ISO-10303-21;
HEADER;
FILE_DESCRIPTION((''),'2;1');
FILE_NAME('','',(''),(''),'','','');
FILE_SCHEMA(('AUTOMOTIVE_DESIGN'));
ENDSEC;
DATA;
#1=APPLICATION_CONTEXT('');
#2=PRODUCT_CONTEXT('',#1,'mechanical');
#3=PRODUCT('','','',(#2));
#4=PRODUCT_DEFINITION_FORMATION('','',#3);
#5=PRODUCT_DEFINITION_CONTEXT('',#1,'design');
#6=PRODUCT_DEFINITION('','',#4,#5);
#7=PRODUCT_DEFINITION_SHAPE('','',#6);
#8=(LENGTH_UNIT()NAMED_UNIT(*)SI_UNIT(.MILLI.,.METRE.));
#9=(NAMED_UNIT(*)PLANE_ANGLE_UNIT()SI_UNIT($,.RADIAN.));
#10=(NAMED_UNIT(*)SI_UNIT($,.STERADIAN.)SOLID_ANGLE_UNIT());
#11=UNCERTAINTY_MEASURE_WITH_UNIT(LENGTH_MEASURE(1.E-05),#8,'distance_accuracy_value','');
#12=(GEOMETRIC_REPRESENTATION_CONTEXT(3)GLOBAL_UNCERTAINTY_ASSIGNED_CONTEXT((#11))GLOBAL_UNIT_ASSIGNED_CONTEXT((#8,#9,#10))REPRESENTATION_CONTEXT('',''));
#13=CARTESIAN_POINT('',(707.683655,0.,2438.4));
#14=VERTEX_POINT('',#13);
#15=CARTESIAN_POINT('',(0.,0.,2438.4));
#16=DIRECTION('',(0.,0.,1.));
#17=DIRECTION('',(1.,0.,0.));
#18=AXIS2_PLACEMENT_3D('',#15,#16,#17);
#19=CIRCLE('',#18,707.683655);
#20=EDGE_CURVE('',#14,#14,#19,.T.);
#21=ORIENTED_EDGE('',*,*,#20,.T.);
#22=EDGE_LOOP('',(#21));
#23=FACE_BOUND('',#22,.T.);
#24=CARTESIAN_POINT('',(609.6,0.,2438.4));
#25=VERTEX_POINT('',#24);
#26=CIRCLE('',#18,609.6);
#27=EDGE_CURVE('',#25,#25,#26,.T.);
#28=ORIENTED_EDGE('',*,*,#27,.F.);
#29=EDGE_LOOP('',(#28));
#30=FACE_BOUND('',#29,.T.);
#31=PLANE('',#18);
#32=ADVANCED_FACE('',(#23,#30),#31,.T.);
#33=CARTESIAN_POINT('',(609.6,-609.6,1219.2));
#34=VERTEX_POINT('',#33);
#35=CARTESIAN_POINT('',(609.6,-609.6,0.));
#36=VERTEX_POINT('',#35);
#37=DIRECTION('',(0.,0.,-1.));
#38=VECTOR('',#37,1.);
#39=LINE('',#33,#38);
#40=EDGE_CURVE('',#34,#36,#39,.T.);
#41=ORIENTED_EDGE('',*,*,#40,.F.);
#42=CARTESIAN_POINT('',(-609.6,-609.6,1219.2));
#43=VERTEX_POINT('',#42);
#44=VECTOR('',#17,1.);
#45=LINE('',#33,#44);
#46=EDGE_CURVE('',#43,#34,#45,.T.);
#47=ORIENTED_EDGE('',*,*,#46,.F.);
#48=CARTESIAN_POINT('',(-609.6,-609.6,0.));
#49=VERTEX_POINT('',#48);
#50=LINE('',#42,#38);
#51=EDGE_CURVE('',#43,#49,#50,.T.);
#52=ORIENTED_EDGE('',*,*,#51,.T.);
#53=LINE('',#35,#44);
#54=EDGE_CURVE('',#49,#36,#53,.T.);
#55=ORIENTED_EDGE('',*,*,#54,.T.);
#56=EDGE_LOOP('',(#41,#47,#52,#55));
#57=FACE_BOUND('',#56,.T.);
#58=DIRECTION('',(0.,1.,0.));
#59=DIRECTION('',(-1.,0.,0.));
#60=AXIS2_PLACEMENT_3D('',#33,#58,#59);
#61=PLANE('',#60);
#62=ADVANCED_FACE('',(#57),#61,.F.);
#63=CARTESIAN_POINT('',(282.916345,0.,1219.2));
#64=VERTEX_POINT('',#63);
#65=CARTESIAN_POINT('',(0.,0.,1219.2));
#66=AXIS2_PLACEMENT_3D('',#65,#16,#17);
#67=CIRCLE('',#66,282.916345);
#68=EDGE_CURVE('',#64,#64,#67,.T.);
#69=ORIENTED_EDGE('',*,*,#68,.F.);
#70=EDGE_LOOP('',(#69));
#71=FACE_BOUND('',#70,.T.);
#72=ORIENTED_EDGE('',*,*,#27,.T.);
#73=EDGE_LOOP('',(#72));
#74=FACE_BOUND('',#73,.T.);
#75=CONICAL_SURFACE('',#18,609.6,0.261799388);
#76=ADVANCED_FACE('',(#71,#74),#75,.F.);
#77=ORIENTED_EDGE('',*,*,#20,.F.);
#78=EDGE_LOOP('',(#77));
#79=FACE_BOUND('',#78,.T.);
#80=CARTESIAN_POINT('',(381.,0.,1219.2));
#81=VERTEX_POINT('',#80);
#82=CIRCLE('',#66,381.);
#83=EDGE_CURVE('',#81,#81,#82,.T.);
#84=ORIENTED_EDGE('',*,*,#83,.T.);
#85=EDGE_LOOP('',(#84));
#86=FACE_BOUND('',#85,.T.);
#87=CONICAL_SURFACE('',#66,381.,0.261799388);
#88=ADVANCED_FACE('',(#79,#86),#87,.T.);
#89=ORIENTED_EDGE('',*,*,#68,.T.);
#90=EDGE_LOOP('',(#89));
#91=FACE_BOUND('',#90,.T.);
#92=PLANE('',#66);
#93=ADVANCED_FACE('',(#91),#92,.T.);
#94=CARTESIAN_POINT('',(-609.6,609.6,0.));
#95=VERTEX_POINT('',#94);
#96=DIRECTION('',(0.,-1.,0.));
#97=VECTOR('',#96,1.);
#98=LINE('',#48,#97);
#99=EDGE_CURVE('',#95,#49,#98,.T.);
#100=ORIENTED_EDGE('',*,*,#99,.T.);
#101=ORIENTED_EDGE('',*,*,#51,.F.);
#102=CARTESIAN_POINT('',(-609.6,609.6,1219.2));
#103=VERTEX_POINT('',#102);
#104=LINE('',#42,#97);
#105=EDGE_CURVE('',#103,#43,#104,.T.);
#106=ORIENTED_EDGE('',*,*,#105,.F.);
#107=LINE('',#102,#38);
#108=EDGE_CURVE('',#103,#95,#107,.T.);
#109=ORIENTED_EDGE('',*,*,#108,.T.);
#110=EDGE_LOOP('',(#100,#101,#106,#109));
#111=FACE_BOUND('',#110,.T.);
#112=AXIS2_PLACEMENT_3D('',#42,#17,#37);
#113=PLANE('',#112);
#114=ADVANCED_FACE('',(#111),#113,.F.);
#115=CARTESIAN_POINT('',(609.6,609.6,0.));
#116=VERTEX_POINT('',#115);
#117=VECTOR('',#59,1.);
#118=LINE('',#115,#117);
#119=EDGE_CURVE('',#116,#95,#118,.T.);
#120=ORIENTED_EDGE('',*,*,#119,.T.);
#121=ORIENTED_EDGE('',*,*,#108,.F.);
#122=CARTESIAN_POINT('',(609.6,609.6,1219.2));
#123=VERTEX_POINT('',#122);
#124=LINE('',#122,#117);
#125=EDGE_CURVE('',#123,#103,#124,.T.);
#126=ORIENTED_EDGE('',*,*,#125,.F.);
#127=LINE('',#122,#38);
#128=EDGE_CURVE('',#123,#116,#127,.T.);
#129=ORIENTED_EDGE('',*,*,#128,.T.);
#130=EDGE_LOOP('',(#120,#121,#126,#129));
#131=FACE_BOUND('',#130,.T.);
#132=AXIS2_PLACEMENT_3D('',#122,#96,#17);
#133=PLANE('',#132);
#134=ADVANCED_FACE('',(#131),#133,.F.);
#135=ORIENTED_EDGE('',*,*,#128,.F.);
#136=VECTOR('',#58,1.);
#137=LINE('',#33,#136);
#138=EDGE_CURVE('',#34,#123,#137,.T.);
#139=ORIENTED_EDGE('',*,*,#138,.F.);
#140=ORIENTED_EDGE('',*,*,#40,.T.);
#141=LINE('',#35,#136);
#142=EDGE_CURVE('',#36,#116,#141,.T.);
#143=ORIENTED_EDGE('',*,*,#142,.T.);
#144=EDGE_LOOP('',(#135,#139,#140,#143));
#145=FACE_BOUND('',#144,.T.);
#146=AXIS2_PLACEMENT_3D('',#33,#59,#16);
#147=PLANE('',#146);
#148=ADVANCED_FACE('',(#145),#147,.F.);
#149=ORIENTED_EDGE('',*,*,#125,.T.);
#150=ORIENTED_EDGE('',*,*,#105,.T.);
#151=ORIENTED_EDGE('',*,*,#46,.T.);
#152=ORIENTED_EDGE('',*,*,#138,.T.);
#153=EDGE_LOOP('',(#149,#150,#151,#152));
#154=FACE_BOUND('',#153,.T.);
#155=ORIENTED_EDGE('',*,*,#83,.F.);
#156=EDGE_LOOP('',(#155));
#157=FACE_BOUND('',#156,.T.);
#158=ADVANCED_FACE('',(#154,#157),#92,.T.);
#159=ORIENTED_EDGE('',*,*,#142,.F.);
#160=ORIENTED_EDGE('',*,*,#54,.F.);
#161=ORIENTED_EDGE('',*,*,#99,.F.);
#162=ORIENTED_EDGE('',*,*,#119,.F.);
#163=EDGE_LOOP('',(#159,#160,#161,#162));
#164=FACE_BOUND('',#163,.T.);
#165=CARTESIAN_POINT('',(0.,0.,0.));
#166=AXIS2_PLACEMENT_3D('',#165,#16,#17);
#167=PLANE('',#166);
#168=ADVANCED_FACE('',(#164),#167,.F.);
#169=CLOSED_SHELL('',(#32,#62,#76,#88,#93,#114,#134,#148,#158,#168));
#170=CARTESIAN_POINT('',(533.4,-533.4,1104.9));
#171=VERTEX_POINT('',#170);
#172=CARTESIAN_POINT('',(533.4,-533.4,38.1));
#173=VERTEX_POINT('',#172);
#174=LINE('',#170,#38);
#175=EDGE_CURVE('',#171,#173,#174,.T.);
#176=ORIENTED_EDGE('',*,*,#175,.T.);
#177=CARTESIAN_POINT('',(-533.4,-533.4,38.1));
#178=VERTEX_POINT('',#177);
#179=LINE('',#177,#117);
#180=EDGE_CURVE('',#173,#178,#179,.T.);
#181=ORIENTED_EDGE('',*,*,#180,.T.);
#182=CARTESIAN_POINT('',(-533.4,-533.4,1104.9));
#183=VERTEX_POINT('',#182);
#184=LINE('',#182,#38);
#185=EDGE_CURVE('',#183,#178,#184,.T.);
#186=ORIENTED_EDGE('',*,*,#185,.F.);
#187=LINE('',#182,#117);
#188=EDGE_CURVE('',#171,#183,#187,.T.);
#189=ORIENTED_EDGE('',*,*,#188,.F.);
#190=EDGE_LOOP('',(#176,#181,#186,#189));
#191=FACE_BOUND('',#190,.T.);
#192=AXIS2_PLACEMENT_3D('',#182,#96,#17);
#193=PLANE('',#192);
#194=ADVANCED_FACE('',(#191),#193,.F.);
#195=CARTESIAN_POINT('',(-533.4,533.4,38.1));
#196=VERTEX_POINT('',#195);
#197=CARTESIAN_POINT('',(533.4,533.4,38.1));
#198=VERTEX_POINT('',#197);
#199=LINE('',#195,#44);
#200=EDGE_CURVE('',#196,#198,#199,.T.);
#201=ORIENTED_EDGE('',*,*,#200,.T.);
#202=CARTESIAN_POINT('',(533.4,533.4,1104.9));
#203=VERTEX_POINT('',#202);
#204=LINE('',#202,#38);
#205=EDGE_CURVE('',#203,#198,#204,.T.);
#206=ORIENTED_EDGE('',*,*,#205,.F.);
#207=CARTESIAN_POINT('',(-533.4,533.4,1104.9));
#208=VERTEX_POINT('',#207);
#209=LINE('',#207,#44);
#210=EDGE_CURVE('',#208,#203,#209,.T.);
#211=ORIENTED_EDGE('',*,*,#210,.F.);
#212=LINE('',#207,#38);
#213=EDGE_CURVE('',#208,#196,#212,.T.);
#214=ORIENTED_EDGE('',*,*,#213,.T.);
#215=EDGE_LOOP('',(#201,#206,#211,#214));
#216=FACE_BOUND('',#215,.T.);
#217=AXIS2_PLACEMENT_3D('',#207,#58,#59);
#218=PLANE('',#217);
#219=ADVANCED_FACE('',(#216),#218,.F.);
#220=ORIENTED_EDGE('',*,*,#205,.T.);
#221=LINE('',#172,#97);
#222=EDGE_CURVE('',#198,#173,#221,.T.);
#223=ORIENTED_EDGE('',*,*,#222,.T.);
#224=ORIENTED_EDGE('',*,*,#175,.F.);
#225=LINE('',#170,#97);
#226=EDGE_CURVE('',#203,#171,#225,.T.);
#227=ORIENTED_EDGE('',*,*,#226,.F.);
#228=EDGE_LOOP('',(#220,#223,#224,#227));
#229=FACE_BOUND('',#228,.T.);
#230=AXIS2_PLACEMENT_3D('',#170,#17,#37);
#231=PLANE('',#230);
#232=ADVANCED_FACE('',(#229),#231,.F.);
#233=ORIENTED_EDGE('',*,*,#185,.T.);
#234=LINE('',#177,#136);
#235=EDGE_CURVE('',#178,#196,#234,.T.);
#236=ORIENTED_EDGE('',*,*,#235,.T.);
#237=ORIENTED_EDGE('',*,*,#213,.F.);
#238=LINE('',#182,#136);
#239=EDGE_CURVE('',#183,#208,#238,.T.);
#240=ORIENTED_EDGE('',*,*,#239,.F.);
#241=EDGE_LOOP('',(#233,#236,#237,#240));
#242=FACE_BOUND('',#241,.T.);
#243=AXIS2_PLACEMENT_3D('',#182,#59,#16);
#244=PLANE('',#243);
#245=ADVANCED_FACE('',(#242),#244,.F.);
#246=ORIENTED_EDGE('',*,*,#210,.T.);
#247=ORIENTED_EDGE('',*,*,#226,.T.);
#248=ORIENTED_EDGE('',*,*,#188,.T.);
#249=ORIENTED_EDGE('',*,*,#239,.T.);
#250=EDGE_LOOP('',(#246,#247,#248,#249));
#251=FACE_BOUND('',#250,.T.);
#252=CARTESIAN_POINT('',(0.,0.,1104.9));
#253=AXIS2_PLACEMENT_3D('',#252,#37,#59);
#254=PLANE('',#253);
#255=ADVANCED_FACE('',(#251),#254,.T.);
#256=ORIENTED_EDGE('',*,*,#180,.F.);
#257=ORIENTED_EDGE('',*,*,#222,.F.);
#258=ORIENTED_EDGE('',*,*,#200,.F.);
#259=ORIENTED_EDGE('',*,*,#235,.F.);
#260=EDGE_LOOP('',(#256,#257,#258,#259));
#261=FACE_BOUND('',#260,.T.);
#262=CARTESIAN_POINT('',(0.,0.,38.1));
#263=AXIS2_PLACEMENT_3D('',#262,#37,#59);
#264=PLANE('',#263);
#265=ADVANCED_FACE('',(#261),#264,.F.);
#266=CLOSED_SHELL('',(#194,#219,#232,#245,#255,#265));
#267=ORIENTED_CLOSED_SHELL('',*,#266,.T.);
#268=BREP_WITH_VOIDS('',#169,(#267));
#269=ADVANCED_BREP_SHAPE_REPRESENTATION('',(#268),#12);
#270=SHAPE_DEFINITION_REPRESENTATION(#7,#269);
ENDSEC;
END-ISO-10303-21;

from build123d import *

# Parameters (mm, degrees)
SKETCH1_W           = 1219.2
SKETCH1_H           = 1219.2
BOSS_EXTRUDE1_DEPTH = 1219.2
SKETCH2_R           = 381
BOSS_EXTRUDE2_DEPTH = 1219.2
BOSS_EXTRUDE2_DRAFT = -15
SKETCH3_R           = 609.6
CUT_EXTRUDE1_DEPTH  = 1219.2
CUT_EXTRUDE1_DRAFT  = -15
CUT_EXTRUDE2_START  = -38.1
SKETCH4_W           = 1066.8
SKETCH4_H           = 1066.8
CUT_EXTRUDE2_DEPTH  = 1066.8


with BuildPart() as part:
    # Sketch1 → Boss-Extrude1 (new body)
    with BuildSketch(Plane.XY):
        Rectangle(SKETCH1_W, SKETCH1_H)
    extrude(amount=BOSS_EXTRUDE1_DEPTH)


with BuildPart() as boss_extrude2_tool:
    # Sketch2 → Boss-Extrude2 (with draft: the straight prism first)
    with BuildSketch(Plane.XY.offset(1219.2)):
        Circle(SKETCH2_R)
    extrude(amount=BOSS_EXTRUDE2_DEPTH)
    # Boss-Extrude2: the draft: its side faces are tilted about the plane it starts from
    boss_extrude2_sides = [boss_extrude2_tool.faces().sort_by_distance(p)[0] for p in [
        (-381, 0, 1828.8),
    ]]
    draft(boss_extrude2_sides, Plane.XY.offset(1219.2), BOSS_EXTRUDE2_DRAFT)


with BuildPart() as part_1:
    add(part.part)

    # Boss-Extrude2: add boss_extrude2_tool
    add(boss_extrude2_tool.part)


with BuildPart() as cut_extrude1_tool:
    # Sketch3 → Cut-Extrude1 (with draft: the straight prism first)
    with BuildSketch(Plane.XY.offset(2438.4)):
        Circle(SKETCH3_R)
    extrude(amount=-CUT_EXTRUDE1_DEPTH)
    # Cut-Extrude1: the draft: its side faces are tilted about the plane it starts from
    cut_extrude1_sides = [cut_extrude1_tool.faces().sort_by_distance(p)[0] for p in [
        (-609.6, 0, 1828.8),
    ]]
    draft(cut_extrude1_sides, Plane.XY.offset(2438.4), CUT_EXTRUDE1_DRAFT)


with BuildPart() as part_2:
    add(part_1.part)

    # Cut-Extrude1: cut by cut_extrude1_tool
    add(cut_extrude1_tool.part, mode=Mode.SUBTRACT)

    # Sketch4 → Cut-Extrude2 (cut)
    with BuildSketch(Plane(origin=(0, 0, 0), x_dir=(-1, 0, 0), z_dir=(0, 0, -1)).offset(CUT_EXTRUDE2_START)):
        Rectangle(SKETCH4_W, SKETCH4_H)
    extrude(amount=-CUT_EXTRUDE2_DEPTH, mode=Mode.SUBTRACT)


solid = part_2.part
